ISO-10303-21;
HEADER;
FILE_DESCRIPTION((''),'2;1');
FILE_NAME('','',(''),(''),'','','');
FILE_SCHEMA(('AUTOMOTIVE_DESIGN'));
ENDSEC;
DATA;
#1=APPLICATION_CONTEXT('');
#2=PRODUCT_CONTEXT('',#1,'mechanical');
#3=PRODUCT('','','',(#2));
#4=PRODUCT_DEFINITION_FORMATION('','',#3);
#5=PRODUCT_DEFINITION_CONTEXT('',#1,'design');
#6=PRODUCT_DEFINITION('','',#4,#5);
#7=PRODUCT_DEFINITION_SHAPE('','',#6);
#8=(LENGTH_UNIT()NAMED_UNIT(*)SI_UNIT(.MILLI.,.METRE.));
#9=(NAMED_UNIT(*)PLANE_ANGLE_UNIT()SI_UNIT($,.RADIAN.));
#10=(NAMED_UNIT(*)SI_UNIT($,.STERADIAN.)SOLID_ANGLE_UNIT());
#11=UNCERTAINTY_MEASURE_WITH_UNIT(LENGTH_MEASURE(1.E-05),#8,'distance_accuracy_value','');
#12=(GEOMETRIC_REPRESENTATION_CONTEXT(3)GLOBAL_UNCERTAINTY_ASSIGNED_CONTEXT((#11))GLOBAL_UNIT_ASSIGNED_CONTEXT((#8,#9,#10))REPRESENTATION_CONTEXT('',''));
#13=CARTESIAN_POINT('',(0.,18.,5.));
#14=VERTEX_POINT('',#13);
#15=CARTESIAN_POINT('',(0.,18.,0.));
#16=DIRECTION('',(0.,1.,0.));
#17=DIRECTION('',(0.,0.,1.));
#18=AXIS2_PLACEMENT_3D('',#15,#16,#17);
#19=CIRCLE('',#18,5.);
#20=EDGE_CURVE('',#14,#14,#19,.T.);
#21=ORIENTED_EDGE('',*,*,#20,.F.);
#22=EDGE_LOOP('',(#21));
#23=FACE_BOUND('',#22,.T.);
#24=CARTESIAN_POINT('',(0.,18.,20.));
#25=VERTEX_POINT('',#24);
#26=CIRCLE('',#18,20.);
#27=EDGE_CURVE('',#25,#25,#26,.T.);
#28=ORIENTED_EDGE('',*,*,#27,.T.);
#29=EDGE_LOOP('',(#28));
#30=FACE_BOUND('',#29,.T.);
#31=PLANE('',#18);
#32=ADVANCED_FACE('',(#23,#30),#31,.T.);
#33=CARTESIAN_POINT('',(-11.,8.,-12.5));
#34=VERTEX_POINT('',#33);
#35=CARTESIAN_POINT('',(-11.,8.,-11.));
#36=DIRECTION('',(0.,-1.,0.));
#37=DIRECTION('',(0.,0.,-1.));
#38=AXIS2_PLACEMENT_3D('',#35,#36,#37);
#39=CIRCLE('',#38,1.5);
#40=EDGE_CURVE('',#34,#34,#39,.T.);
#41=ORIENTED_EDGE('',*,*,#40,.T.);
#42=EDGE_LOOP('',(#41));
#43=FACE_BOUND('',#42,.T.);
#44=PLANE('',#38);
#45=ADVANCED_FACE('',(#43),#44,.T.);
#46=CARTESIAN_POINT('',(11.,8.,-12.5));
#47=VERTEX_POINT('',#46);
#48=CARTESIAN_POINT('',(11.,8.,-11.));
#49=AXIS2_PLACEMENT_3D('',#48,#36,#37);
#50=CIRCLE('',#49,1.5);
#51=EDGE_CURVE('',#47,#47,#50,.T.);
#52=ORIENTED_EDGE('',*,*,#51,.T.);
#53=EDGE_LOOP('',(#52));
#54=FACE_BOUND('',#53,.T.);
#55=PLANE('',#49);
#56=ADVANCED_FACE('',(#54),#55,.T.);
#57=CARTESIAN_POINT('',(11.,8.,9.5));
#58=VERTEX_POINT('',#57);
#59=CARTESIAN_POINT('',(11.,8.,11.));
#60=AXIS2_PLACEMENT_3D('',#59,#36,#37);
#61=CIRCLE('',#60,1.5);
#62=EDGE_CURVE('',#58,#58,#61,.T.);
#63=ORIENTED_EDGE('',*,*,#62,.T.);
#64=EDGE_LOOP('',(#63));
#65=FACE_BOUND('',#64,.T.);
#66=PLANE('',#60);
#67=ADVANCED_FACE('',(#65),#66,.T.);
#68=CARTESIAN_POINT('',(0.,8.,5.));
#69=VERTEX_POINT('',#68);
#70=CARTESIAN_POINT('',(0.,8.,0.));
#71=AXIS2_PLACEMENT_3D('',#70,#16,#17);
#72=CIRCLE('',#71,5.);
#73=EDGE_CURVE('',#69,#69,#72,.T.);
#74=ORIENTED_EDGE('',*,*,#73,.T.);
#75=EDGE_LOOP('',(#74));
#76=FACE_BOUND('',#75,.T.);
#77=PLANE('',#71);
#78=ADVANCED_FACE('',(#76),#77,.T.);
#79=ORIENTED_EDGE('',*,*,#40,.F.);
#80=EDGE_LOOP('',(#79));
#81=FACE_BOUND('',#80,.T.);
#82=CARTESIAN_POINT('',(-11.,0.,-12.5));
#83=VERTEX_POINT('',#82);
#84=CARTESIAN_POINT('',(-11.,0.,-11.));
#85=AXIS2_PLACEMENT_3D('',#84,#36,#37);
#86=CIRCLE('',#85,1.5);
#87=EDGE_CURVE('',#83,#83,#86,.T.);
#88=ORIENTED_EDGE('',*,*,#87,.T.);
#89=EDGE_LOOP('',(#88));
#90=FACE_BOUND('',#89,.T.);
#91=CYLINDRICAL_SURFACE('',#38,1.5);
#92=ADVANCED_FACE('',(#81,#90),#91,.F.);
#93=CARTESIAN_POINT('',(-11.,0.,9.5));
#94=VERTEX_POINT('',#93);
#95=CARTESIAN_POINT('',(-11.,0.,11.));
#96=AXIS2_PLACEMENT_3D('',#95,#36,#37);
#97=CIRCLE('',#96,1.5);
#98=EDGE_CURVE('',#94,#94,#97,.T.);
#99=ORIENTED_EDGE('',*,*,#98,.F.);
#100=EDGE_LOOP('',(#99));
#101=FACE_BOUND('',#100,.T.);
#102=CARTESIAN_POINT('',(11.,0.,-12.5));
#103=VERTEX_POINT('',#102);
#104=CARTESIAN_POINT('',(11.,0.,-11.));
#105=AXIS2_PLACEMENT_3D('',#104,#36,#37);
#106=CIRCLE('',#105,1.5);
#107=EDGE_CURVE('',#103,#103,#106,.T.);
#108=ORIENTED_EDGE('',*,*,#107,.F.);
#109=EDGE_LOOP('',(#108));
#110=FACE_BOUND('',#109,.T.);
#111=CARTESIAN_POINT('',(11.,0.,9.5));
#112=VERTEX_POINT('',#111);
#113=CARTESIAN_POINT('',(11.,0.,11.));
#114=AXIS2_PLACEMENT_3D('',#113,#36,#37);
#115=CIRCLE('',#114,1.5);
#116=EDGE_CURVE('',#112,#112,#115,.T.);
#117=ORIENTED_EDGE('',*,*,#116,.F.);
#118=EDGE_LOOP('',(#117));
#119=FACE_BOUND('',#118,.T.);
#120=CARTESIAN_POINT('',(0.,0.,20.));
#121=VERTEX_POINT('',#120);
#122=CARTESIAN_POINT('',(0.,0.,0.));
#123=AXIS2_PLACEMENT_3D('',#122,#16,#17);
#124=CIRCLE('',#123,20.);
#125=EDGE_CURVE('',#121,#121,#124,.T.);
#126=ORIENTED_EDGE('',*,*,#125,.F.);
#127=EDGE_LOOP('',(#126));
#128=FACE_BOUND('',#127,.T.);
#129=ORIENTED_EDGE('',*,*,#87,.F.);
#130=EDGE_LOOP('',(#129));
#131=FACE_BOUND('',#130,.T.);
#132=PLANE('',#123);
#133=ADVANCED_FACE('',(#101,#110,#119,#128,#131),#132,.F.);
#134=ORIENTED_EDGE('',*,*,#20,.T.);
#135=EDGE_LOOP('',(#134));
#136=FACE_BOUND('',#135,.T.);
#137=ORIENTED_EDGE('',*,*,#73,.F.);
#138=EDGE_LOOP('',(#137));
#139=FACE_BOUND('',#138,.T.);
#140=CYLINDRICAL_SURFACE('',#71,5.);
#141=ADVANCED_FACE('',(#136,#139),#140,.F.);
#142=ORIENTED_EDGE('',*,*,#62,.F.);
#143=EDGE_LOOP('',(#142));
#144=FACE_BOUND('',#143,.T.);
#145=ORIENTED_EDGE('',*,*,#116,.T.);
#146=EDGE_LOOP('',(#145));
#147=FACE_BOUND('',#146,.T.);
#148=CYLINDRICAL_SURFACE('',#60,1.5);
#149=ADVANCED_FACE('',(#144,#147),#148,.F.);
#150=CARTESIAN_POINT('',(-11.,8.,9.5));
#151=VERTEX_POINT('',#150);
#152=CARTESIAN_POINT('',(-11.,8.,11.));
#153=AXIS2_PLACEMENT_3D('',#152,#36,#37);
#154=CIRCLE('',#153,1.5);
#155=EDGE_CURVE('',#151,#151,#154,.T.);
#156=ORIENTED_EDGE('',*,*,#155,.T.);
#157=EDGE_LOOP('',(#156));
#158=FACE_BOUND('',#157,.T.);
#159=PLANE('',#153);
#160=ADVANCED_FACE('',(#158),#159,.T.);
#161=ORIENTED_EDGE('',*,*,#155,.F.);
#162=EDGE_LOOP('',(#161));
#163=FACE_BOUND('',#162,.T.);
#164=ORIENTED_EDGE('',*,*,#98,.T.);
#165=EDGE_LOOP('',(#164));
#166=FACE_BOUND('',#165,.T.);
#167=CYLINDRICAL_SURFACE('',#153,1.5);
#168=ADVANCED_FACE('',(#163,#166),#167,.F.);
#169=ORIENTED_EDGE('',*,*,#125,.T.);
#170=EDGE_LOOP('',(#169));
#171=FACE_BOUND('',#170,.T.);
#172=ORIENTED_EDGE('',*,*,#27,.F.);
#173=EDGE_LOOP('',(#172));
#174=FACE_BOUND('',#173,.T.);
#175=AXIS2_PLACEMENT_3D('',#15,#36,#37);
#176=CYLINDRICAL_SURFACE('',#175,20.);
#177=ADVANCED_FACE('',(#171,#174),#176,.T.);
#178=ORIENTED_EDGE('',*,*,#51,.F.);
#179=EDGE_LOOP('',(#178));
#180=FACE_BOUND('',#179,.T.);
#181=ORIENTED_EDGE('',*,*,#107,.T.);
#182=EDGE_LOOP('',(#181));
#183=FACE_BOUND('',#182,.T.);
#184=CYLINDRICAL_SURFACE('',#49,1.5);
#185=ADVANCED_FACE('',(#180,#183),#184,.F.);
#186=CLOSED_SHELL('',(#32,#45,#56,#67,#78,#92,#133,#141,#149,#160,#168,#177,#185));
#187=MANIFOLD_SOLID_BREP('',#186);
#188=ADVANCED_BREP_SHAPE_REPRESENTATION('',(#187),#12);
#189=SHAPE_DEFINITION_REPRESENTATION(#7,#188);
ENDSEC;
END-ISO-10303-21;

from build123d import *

# Parameters (mm, degrees)
SKETCH1_R           = 20
BOSS_EXTRUDE1_DEPTH = 18
SKETCH2_R           = 5
CUT_EXTRUDE1_DEPTH  = 10
SKETCH3_R           = 1.5
CUT_EXTRUDE2_DEPTH  = 8


with BuildPart() as part:
    # Sketch1 → Boss-Extrude1 (new body)
    with BuildSketch(Plane(origin=(0, 0, 0), x_dir=(1, 0, 0), z_dir=(0, 1, 0))):
        Circle(SKETCH1_R)
    extrude(amount=BOSS_EXTRUDE1_DEPTH)

    # Sketch2 → Cut-Extrude1 (cut)
    with BuildSketch(Plane(origin=(0, 18, 0), x_dir=(1, 0, 0), z_dir=(0, 1, 0))):
        Circle(SKETCH2_R)
    extrude(amount=-CUT_EXTRUDE1_DEPTH, mode=Mode.SUBTRACT)

    # Sketch3 → Cut-Extrude2 (cut)
    with BuildSketch(Plane.XZ):
        with Locations((11, -11)):
            Circle(SKETCH3_R)
        with Locations((-11, -11)):
            Circle(SKETCH3_R)
        with Locations((11, 11)):
            Circle(SKETCH3_R)
        with Locations((-11, 11)):
            Circle(SKETCH3_R)
    extrude(amount=-CUT_EXTRUDE2_DEPTH, mode=Mode.SUBTRACT)


solid = part.part
